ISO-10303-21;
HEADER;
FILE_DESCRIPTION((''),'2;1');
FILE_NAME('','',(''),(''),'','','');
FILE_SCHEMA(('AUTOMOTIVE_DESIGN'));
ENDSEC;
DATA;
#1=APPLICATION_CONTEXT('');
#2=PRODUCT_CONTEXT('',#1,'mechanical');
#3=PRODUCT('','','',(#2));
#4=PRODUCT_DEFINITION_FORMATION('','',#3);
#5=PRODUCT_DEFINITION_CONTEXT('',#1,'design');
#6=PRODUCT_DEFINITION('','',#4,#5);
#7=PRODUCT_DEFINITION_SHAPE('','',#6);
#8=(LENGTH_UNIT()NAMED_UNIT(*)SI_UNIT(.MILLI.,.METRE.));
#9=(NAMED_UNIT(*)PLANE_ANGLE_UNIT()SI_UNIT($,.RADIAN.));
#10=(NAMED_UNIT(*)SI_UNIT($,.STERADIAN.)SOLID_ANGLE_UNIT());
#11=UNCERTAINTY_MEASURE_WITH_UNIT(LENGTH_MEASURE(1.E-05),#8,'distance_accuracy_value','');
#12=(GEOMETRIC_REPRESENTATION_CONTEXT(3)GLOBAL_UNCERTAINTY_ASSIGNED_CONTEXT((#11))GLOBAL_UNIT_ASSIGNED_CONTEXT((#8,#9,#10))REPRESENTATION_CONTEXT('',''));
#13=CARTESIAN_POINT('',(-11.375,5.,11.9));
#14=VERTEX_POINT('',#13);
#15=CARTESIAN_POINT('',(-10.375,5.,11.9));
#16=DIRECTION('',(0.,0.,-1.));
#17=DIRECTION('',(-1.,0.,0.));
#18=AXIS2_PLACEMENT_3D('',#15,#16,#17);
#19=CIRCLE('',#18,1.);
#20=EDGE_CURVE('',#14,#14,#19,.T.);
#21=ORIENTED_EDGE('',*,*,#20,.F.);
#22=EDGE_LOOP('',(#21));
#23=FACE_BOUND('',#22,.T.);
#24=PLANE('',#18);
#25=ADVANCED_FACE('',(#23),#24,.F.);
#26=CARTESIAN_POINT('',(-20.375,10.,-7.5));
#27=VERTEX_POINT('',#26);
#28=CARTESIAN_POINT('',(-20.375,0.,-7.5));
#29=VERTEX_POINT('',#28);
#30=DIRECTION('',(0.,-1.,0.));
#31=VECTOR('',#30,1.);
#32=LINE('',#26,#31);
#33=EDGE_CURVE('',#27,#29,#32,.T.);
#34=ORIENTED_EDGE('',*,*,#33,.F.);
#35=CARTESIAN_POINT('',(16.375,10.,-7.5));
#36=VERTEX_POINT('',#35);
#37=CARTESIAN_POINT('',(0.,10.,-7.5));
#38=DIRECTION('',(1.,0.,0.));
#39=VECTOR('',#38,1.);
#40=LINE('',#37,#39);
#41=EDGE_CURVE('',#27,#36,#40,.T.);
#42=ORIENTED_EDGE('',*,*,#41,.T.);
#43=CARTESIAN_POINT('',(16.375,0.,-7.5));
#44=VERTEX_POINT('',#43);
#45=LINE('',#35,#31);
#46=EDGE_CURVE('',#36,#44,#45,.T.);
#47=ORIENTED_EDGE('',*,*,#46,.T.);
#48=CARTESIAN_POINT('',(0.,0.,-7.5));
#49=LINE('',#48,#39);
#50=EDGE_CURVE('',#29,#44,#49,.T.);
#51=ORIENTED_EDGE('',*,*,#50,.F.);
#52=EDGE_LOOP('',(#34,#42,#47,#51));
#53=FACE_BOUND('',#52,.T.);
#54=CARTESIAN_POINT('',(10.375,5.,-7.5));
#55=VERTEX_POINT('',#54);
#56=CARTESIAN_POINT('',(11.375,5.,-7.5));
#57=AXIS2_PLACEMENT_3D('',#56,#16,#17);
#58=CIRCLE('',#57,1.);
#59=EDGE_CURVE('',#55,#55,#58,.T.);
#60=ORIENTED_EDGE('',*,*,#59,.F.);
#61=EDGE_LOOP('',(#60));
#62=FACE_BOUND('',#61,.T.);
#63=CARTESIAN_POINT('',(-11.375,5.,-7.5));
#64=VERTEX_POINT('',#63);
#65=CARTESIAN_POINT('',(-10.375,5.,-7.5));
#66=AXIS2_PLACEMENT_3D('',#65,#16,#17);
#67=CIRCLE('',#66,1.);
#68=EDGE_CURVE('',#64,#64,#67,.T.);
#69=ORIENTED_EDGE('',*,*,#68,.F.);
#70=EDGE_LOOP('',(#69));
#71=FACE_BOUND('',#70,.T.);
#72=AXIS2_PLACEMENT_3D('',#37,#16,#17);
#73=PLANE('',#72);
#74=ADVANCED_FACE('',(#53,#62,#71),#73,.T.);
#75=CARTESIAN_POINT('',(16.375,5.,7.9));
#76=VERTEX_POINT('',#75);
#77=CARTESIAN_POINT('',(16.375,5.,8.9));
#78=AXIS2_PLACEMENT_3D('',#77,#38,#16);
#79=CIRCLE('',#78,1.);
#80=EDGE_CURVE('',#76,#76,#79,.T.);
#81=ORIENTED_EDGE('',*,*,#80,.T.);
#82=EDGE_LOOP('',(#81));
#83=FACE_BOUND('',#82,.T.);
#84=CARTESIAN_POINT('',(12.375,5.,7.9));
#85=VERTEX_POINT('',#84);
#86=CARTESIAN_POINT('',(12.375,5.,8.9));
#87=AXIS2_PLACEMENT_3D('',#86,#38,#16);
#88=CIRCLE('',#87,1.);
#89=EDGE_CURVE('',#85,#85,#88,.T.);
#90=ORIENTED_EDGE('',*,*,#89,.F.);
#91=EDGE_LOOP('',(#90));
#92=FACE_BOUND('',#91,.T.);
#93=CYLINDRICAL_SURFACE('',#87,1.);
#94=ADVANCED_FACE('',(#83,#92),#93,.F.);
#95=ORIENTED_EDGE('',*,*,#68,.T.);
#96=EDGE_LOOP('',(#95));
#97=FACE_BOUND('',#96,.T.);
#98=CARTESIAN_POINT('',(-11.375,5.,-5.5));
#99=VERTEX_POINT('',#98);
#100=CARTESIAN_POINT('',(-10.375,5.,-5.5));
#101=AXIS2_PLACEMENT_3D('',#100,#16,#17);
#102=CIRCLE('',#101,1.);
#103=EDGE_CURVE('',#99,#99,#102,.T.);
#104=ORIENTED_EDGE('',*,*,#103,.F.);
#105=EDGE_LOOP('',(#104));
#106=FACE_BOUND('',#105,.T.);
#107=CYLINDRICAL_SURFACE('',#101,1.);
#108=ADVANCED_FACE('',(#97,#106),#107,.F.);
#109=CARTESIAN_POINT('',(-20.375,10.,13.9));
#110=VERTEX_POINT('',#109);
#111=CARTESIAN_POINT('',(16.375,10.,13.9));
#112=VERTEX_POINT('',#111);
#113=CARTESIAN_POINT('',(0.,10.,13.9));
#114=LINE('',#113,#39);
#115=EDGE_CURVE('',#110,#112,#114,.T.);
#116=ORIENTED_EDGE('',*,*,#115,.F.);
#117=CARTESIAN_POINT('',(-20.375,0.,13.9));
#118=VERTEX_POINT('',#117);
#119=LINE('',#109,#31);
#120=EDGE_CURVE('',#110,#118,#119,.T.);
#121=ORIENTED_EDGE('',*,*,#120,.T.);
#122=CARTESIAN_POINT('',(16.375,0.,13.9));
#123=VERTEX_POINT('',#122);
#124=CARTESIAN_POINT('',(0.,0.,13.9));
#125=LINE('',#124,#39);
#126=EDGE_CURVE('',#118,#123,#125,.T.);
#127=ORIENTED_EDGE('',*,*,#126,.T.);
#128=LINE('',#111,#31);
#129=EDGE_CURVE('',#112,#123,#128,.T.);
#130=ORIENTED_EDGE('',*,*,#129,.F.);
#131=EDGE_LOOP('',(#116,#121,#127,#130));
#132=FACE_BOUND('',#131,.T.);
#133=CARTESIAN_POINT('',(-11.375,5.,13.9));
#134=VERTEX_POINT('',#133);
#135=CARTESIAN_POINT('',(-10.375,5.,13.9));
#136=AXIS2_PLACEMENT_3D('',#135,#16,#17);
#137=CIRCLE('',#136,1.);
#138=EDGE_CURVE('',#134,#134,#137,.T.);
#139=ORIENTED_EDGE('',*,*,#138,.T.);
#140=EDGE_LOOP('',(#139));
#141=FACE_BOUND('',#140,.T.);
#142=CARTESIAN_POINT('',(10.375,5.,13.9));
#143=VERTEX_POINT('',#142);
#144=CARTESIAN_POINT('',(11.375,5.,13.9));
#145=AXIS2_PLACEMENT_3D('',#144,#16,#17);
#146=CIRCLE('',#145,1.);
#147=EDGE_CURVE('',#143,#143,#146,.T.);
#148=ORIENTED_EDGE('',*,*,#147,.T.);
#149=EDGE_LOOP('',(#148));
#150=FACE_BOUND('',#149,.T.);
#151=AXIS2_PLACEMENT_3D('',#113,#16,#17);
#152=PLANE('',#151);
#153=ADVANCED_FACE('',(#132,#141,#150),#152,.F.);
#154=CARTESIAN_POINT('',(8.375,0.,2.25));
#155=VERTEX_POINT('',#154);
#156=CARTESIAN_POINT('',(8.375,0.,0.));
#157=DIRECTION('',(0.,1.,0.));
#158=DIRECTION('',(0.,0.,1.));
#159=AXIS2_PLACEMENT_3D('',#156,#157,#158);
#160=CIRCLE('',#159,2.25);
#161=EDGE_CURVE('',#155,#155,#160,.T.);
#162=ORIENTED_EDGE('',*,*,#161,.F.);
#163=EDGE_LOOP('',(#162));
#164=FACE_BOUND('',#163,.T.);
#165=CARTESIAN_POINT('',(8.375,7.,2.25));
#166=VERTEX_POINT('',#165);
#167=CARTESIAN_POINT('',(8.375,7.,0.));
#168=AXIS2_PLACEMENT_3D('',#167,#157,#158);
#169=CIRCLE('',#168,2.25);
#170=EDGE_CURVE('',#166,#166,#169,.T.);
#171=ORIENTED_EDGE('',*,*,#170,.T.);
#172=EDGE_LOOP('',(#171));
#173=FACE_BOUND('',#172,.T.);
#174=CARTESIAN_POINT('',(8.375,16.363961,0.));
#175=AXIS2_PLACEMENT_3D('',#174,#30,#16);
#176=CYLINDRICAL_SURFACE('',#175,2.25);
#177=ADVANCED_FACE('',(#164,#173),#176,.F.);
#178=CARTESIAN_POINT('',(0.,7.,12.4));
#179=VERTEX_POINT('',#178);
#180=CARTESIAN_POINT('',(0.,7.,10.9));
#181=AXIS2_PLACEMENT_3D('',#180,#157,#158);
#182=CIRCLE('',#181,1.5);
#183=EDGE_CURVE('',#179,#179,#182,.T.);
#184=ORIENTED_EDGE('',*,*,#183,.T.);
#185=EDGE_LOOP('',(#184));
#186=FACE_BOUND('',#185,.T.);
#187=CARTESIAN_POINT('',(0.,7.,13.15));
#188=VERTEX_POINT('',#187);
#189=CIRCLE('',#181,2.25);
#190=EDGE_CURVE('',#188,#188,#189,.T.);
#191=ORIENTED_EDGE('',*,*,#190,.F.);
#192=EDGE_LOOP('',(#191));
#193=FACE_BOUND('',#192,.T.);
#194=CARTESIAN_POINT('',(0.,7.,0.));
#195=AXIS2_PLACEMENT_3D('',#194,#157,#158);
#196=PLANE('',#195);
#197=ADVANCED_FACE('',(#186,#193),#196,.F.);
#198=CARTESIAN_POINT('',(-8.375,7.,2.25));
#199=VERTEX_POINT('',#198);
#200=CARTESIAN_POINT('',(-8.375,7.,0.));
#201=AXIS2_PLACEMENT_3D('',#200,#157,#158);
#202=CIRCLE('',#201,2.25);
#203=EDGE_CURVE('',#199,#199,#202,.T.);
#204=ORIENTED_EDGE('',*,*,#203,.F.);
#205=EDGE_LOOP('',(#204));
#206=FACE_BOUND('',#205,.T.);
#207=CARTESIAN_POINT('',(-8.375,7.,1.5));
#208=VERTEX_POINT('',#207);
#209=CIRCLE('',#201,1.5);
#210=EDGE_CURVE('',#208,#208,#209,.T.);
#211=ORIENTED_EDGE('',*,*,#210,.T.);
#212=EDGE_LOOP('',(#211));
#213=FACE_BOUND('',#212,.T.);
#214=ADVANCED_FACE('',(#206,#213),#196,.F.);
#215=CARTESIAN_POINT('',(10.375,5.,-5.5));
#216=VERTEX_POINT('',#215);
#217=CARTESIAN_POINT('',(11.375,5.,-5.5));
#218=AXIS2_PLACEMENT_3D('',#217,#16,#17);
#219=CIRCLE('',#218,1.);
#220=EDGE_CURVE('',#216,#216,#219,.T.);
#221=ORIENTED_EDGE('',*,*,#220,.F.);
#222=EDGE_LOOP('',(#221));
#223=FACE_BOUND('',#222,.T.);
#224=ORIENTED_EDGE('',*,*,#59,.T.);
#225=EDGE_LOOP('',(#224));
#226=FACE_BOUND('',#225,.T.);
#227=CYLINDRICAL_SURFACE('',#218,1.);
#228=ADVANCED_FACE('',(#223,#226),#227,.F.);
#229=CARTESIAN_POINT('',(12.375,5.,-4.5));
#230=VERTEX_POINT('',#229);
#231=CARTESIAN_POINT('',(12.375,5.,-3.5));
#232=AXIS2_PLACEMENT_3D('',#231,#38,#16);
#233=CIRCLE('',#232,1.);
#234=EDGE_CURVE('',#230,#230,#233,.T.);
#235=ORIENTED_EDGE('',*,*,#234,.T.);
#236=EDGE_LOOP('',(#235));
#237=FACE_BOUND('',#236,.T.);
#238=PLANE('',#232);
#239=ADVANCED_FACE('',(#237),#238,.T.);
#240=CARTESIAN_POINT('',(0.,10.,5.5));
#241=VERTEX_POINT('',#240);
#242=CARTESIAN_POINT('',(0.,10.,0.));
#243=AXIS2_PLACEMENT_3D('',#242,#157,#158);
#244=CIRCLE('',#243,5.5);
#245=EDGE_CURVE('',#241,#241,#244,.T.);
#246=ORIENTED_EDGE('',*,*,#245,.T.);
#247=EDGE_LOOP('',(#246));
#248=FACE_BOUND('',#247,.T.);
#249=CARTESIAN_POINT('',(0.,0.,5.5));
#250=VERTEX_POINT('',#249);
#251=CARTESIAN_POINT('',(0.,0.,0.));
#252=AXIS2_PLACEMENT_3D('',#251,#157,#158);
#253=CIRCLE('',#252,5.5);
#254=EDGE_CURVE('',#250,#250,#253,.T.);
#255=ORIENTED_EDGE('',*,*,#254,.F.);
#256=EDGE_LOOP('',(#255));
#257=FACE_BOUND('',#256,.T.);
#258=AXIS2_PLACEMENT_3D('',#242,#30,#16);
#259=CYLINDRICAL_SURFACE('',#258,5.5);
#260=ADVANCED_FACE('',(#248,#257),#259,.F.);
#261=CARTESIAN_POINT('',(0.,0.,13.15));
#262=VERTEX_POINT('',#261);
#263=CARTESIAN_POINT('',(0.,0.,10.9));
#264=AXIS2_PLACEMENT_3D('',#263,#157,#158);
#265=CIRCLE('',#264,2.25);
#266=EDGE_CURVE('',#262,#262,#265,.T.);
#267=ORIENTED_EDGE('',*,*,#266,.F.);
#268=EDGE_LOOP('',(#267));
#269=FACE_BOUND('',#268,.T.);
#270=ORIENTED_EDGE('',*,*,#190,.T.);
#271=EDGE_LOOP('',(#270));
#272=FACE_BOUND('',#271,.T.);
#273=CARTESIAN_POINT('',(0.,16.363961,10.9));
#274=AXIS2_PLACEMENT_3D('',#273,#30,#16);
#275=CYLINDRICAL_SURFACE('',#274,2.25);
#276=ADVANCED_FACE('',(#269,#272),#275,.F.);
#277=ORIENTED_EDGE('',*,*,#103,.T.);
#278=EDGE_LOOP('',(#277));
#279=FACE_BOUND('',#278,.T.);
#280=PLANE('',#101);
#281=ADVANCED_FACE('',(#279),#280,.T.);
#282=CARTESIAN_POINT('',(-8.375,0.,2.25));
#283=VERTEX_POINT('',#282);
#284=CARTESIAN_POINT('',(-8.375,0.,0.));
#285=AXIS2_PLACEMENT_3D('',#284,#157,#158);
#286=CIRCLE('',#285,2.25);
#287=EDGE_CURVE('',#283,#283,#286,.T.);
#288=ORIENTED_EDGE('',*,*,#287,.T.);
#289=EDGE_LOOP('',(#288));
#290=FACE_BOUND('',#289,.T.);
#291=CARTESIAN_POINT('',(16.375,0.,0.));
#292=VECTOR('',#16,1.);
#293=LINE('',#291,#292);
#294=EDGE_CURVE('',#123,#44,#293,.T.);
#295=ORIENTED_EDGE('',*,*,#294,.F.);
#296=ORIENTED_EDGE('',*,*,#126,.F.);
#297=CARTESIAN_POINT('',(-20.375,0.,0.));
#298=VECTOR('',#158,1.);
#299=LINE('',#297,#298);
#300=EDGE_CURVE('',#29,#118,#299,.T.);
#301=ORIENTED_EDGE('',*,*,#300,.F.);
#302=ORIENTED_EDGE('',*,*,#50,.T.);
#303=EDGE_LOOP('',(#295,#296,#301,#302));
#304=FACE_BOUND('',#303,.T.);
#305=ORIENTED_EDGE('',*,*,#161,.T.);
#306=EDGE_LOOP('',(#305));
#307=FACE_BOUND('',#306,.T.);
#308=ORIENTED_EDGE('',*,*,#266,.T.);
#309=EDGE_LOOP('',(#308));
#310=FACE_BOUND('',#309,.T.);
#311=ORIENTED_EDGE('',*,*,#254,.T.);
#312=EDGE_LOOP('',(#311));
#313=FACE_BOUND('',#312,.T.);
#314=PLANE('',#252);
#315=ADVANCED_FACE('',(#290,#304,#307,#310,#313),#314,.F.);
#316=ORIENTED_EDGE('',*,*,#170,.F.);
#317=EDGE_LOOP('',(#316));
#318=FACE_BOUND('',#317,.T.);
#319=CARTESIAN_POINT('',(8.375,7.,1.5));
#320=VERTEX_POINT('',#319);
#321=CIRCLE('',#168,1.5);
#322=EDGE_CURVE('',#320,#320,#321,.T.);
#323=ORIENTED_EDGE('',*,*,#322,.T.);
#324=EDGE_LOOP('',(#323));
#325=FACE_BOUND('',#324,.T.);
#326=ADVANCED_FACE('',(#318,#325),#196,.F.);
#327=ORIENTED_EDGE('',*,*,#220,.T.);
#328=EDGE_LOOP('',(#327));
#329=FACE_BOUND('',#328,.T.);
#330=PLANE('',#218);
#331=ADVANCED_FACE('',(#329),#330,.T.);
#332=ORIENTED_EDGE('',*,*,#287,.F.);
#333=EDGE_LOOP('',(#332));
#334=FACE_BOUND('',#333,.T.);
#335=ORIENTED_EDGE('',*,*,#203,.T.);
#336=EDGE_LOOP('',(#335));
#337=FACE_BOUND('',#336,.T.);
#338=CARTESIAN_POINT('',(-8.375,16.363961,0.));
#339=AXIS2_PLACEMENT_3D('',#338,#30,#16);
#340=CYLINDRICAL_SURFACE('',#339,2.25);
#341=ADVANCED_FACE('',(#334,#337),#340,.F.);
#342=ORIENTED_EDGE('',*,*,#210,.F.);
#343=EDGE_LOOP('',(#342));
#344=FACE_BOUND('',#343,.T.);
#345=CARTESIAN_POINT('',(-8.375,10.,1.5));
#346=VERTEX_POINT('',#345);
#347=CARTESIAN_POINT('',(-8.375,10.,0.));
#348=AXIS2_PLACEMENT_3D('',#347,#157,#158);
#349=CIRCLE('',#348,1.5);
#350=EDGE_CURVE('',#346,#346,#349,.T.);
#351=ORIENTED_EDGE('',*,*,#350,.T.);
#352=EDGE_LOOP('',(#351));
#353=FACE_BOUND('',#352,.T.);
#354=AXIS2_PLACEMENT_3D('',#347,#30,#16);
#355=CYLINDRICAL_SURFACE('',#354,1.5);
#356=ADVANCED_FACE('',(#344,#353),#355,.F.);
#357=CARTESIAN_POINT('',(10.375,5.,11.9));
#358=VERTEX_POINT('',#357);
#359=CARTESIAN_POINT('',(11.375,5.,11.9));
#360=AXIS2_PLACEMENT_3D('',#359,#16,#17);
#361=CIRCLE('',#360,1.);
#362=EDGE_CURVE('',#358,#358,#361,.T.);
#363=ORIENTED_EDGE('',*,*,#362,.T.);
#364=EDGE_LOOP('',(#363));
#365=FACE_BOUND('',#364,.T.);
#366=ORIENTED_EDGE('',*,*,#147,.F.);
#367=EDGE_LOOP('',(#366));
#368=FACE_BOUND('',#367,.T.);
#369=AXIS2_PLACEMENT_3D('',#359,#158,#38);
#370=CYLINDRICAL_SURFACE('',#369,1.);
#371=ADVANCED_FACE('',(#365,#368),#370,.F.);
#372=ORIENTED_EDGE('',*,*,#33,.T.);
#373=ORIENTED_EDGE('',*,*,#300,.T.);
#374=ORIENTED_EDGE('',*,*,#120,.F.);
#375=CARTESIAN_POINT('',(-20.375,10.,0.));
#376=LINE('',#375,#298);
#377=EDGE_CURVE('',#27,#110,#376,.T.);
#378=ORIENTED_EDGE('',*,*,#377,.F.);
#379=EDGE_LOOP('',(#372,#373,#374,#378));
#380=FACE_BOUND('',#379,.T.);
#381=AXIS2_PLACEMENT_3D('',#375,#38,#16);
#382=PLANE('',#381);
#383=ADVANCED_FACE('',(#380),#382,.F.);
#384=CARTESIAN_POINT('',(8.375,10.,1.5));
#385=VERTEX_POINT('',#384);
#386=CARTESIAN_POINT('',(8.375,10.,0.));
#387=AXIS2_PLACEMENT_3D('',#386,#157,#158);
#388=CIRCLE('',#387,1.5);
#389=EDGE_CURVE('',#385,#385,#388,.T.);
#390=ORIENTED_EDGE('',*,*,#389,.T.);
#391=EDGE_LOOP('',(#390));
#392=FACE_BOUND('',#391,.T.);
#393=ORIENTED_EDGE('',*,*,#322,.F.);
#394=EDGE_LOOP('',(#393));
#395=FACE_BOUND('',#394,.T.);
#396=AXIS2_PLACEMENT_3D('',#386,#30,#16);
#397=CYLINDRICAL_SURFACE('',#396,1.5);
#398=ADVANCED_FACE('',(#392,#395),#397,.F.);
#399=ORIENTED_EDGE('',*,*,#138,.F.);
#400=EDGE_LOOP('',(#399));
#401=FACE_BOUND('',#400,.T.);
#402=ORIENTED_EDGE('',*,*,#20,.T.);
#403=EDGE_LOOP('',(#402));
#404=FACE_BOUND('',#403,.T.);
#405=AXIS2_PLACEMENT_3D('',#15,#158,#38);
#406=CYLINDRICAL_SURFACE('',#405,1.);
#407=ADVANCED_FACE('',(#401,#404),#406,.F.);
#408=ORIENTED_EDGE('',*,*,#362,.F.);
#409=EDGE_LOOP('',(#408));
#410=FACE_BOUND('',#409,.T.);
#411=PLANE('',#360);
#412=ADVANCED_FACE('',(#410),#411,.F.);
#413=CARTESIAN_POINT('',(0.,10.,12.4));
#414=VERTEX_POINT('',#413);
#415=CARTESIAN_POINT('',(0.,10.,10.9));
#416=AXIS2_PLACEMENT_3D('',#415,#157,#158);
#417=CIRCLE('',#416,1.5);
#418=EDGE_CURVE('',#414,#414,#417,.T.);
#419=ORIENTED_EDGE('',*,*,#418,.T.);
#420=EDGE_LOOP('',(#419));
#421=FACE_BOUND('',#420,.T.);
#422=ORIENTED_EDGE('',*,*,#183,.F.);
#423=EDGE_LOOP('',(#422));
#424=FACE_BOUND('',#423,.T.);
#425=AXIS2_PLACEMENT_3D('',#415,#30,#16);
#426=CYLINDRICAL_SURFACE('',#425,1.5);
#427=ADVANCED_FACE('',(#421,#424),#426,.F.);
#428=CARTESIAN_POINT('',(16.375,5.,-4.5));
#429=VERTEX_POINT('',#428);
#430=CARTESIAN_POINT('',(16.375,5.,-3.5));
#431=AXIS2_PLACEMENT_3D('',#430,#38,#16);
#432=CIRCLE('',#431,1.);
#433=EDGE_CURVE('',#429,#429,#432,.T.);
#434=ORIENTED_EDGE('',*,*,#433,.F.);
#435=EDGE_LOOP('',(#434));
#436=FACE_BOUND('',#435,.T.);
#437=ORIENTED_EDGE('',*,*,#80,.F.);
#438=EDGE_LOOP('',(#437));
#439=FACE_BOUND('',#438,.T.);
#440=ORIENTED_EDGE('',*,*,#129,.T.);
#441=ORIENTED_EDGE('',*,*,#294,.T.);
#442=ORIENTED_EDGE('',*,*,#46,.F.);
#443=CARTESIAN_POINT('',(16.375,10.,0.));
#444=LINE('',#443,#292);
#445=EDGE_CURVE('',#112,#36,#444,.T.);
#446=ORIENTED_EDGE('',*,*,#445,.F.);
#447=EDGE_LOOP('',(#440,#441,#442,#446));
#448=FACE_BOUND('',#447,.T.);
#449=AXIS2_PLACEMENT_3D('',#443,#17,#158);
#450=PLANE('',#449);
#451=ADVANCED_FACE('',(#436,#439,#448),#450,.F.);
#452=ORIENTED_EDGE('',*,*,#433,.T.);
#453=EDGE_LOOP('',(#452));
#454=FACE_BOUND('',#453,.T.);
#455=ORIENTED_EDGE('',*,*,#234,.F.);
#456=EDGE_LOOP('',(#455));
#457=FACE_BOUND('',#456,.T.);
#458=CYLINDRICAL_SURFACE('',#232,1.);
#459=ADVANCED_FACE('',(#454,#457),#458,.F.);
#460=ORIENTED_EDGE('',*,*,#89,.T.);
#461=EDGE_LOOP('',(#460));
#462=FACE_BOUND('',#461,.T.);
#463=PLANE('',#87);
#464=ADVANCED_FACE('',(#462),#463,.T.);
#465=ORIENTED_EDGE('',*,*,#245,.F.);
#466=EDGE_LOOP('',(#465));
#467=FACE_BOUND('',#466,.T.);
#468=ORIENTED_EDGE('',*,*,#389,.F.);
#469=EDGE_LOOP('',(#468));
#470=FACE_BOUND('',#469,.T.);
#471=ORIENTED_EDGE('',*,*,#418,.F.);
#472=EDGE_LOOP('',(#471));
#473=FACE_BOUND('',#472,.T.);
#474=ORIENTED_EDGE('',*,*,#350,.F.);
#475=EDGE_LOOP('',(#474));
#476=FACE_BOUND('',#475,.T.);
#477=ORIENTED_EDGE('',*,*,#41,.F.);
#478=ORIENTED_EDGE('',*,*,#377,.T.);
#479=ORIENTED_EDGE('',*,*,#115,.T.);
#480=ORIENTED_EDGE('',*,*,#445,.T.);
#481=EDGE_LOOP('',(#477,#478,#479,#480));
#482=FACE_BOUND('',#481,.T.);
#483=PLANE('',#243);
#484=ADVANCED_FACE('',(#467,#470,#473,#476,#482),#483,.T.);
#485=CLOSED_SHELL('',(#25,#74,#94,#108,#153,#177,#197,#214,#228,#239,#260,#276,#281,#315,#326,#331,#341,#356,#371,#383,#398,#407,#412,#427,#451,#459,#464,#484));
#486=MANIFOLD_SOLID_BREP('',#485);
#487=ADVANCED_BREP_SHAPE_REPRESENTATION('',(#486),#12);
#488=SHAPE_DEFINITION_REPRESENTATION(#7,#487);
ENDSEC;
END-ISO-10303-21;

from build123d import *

# Parameters (mm, degrees)
SKETCH_1_W          = 36.75
SKETCH_1_H          = 21.4
SKETCH_1_R          = 1.5
EXTRUDE_1_DEPTH     = 10
SKETCH_1_16_R       = 2.25
CUT_EXTRUDE_1_DEPTH = 7
SKETCH_2_R          = 1
CUT_EXTRUDE_2_DEPTH = 2
CUT_EXTRUDE_START   = -19.4
SKETCH_2_2_R        = 1
CUT_EXTRUDE_3_DEPTH = 2
SKETCH_3_R          = 1
CUT_EXTRUDE_4_DEPTH = 4


with BuildPart() as part:
    # 草图1 → 凸台-拉伸1 (new body)
    with BuildSketch(Plane(origin=(0, 0, 0), x_dir=(1, 0, 0), z_dir=(0, 1, 0))):
        with Locations((-2, -3.2)):
            Rectangle(SKETCH_1_W, SKETCH_1_H)
        with Locations(Location((-8.375, 0, 0), (0, 0, 270))):
            Circle(SKETCH_1_R, mode=Mode.SUBTRACT)
        with BuildLine():
            ThreePointArc((5.5, 0), (0, -5.5), (-5.5, 0))
            ThreePointArc((-5.5, 0), (0, 5.5), (5.5, 0))
        make_face(mode=Mode.SUBTRACT)
        with Locations(Location((8.375, 0, 0), (0, 0, 270))):
            Circle(SKETCH_1_R, mode=Mode.SUBTRACT)
        with Locations(Location((0, -10.9, 0), (0, 0, 270))):
            Circle(SKETCH_1_R, mode=Mode.SUBTRACT)
    extrude(amount=EXTRUDE_1_DEPTH)

    # 草图1<16> → 切除-拉伸1 (cut)
    with BuildSketch(Plane(origin=(0, 0, 0), x_dir=(1, 0, 0), z_dir=(0, 1, 0))):
        with Locations(Location((-8.375, 0, 0), (0, 0, 270))):
            Circle(SKETCH_1_16_R)
        with Locations(Location((8.375, 0, 0), (0, 0, 270))):
            Circle(SKETCH_1_16_R)
        with Locations(Location((0, -10.9, 0), (0, 0, 270))):
            Circle(SKETCH_1_16_R)
    extrude(amount=CUT_EXTRUDE_1_DEPTH, mode=Mode.SUBTRACT)

    # 草图2 → 切除-拉伸2 (cut)
    with BuildSketch(Plane(origin=(0, 0, -7.5), x_dir=(-1, 0, 0), z_dir=(0, 0, -1))):
        with Locations((-11.375, 5)):
            Circle(SKETCH_2_R)
        with Locations((10.375, 5)):
            Circle(SKETCH_2_R)
    extrude(amount=-CUT_EXTRUDE_2_DEPTH, mode=Mode.SUBTRACT)

    # 草图2<2> → 切除-拉伸3 (cut)
    with BuildSketch(Plane(origin=(0, 0, -7.5), x_dir=(-1, 0, 0), z_dir=(0, 0, -1)).offset(CUT_EXTRUDE_START)):
        with Locations((-11.375, 5)):
            Circle(SKETCH_2_2_R)
        with Locations((10.375, 5)):
            Circle(SKETCH_2_2_R)
    extrude(amount=-CUT_EXTRUDE_3_DEPTH, mode=Mode.SUBTRACT)

    # 草图3 → 切除-拉伸4 (cut)
    with BuildSketch(Plane(origin=(16.375, 0, 0), x_dir=(0, 0, -1), z_dir=(1, 0, 0))):
        with Locations((-8.9, 5)):
            Circle(SKETCH_3_R)
        with Locations((3.5, 5)):
            Circle(SKETCH_3_R)
    extrude(amount=-CUT_EXTRUDE_4_DEPTH, mode=Mode.SUBTRACT)


solid = part.part
